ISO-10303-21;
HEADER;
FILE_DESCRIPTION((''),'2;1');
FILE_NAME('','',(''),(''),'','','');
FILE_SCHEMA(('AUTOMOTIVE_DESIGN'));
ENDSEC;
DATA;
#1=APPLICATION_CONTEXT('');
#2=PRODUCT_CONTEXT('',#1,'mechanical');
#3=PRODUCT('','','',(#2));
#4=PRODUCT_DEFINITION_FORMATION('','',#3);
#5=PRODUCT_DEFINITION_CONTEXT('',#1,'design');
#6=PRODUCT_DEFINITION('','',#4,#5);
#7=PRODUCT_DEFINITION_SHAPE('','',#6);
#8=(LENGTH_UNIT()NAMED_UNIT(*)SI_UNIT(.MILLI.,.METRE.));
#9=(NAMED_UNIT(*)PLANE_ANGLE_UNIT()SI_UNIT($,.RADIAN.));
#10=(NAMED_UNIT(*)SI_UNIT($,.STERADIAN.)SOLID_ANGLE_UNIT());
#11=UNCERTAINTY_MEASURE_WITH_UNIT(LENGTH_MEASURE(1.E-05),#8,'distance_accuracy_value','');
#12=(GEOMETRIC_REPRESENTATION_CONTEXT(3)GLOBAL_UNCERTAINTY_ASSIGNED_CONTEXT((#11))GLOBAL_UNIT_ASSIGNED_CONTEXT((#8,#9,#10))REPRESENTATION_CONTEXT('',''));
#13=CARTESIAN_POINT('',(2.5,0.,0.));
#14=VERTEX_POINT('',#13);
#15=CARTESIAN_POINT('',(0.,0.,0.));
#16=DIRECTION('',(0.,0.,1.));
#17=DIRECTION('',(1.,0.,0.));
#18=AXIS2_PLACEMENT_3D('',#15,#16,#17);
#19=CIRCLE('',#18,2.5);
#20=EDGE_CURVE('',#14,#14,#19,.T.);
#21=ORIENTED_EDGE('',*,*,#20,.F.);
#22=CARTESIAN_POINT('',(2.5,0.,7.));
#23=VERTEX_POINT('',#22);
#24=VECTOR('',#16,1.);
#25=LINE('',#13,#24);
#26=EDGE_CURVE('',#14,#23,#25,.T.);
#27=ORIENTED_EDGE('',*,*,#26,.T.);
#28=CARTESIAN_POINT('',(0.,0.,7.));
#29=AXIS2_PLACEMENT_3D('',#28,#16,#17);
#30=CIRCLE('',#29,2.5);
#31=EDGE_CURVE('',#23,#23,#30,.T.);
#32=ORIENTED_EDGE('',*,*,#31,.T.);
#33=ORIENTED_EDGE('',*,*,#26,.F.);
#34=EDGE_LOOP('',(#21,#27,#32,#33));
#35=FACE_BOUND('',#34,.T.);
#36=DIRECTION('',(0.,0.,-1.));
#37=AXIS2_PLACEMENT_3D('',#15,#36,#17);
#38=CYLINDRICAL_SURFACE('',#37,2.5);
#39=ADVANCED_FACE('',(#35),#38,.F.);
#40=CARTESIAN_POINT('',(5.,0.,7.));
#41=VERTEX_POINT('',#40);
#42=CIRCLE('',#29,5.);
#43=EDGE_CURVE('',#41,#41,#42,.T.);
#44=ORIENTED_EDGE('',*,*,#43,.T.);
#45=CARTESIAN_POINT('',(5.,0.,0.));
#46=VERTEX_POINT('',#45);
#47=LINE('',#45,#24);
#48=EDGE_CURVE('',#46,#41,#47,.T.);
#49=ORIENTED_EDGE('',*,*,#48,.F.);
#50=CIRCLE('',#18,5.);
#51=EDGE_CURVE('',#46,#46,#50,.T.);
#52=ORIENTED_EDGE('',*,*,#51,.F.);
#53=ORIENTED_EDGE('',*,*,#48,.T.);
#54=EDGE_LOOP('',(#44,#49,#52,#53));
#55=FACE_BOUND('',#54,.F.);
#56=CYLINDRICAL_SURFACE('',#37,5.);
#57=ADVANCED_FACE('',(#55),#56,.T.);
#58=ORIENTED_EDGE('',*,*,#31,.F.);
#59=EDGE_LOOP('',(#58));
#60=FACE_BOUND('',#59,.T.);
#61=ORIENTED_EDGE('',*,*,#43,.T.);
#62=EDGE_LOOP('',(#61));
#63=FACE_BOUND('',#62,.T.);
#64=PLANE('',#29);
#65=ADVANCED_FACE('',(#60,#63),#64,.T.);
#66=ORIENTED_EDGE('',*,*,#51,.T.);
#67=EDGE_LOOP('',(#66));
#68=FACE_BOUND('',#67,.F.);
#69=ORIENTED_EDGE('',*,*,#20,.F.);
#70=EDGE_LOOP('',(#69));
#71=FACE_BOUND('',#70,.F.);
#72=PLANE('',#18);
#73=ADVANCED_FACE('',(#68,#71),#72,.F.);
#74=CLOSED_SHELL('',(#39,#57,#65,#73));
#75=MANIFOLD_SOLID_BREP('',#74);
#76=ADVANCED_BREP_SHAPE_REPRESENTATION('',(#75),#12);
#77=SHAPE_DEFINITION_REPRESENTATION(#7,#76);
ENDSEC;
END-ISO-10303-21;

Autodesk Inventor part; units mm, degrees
ref_plane "YZ Plane" through (0, 0, 0) normal (1, 0, 0) x (0, 1, 0)
ref_plane "XZ Plane" through (0, 0, 0) normal (0, 1, 0) x (-1, 0, 0)
ref_plane "XY Plane" through (0, 0, 0) normal (0, 0, 1) x (1, 0, 0)
sketch "Sketch1" plane through (0, 0, 0) normal (0, 0, 1) x (1, 0, 0)
  circle A0 centre (0, 0) radius 2.5
  circle A1 centre (0, 0) radius 5
  dimension "d0" = 5
  dimension "d1" = 10
extrude "Extrusion1" add sketch "Sketch1" along normal blind 7
properties part number "M5Spacer"
